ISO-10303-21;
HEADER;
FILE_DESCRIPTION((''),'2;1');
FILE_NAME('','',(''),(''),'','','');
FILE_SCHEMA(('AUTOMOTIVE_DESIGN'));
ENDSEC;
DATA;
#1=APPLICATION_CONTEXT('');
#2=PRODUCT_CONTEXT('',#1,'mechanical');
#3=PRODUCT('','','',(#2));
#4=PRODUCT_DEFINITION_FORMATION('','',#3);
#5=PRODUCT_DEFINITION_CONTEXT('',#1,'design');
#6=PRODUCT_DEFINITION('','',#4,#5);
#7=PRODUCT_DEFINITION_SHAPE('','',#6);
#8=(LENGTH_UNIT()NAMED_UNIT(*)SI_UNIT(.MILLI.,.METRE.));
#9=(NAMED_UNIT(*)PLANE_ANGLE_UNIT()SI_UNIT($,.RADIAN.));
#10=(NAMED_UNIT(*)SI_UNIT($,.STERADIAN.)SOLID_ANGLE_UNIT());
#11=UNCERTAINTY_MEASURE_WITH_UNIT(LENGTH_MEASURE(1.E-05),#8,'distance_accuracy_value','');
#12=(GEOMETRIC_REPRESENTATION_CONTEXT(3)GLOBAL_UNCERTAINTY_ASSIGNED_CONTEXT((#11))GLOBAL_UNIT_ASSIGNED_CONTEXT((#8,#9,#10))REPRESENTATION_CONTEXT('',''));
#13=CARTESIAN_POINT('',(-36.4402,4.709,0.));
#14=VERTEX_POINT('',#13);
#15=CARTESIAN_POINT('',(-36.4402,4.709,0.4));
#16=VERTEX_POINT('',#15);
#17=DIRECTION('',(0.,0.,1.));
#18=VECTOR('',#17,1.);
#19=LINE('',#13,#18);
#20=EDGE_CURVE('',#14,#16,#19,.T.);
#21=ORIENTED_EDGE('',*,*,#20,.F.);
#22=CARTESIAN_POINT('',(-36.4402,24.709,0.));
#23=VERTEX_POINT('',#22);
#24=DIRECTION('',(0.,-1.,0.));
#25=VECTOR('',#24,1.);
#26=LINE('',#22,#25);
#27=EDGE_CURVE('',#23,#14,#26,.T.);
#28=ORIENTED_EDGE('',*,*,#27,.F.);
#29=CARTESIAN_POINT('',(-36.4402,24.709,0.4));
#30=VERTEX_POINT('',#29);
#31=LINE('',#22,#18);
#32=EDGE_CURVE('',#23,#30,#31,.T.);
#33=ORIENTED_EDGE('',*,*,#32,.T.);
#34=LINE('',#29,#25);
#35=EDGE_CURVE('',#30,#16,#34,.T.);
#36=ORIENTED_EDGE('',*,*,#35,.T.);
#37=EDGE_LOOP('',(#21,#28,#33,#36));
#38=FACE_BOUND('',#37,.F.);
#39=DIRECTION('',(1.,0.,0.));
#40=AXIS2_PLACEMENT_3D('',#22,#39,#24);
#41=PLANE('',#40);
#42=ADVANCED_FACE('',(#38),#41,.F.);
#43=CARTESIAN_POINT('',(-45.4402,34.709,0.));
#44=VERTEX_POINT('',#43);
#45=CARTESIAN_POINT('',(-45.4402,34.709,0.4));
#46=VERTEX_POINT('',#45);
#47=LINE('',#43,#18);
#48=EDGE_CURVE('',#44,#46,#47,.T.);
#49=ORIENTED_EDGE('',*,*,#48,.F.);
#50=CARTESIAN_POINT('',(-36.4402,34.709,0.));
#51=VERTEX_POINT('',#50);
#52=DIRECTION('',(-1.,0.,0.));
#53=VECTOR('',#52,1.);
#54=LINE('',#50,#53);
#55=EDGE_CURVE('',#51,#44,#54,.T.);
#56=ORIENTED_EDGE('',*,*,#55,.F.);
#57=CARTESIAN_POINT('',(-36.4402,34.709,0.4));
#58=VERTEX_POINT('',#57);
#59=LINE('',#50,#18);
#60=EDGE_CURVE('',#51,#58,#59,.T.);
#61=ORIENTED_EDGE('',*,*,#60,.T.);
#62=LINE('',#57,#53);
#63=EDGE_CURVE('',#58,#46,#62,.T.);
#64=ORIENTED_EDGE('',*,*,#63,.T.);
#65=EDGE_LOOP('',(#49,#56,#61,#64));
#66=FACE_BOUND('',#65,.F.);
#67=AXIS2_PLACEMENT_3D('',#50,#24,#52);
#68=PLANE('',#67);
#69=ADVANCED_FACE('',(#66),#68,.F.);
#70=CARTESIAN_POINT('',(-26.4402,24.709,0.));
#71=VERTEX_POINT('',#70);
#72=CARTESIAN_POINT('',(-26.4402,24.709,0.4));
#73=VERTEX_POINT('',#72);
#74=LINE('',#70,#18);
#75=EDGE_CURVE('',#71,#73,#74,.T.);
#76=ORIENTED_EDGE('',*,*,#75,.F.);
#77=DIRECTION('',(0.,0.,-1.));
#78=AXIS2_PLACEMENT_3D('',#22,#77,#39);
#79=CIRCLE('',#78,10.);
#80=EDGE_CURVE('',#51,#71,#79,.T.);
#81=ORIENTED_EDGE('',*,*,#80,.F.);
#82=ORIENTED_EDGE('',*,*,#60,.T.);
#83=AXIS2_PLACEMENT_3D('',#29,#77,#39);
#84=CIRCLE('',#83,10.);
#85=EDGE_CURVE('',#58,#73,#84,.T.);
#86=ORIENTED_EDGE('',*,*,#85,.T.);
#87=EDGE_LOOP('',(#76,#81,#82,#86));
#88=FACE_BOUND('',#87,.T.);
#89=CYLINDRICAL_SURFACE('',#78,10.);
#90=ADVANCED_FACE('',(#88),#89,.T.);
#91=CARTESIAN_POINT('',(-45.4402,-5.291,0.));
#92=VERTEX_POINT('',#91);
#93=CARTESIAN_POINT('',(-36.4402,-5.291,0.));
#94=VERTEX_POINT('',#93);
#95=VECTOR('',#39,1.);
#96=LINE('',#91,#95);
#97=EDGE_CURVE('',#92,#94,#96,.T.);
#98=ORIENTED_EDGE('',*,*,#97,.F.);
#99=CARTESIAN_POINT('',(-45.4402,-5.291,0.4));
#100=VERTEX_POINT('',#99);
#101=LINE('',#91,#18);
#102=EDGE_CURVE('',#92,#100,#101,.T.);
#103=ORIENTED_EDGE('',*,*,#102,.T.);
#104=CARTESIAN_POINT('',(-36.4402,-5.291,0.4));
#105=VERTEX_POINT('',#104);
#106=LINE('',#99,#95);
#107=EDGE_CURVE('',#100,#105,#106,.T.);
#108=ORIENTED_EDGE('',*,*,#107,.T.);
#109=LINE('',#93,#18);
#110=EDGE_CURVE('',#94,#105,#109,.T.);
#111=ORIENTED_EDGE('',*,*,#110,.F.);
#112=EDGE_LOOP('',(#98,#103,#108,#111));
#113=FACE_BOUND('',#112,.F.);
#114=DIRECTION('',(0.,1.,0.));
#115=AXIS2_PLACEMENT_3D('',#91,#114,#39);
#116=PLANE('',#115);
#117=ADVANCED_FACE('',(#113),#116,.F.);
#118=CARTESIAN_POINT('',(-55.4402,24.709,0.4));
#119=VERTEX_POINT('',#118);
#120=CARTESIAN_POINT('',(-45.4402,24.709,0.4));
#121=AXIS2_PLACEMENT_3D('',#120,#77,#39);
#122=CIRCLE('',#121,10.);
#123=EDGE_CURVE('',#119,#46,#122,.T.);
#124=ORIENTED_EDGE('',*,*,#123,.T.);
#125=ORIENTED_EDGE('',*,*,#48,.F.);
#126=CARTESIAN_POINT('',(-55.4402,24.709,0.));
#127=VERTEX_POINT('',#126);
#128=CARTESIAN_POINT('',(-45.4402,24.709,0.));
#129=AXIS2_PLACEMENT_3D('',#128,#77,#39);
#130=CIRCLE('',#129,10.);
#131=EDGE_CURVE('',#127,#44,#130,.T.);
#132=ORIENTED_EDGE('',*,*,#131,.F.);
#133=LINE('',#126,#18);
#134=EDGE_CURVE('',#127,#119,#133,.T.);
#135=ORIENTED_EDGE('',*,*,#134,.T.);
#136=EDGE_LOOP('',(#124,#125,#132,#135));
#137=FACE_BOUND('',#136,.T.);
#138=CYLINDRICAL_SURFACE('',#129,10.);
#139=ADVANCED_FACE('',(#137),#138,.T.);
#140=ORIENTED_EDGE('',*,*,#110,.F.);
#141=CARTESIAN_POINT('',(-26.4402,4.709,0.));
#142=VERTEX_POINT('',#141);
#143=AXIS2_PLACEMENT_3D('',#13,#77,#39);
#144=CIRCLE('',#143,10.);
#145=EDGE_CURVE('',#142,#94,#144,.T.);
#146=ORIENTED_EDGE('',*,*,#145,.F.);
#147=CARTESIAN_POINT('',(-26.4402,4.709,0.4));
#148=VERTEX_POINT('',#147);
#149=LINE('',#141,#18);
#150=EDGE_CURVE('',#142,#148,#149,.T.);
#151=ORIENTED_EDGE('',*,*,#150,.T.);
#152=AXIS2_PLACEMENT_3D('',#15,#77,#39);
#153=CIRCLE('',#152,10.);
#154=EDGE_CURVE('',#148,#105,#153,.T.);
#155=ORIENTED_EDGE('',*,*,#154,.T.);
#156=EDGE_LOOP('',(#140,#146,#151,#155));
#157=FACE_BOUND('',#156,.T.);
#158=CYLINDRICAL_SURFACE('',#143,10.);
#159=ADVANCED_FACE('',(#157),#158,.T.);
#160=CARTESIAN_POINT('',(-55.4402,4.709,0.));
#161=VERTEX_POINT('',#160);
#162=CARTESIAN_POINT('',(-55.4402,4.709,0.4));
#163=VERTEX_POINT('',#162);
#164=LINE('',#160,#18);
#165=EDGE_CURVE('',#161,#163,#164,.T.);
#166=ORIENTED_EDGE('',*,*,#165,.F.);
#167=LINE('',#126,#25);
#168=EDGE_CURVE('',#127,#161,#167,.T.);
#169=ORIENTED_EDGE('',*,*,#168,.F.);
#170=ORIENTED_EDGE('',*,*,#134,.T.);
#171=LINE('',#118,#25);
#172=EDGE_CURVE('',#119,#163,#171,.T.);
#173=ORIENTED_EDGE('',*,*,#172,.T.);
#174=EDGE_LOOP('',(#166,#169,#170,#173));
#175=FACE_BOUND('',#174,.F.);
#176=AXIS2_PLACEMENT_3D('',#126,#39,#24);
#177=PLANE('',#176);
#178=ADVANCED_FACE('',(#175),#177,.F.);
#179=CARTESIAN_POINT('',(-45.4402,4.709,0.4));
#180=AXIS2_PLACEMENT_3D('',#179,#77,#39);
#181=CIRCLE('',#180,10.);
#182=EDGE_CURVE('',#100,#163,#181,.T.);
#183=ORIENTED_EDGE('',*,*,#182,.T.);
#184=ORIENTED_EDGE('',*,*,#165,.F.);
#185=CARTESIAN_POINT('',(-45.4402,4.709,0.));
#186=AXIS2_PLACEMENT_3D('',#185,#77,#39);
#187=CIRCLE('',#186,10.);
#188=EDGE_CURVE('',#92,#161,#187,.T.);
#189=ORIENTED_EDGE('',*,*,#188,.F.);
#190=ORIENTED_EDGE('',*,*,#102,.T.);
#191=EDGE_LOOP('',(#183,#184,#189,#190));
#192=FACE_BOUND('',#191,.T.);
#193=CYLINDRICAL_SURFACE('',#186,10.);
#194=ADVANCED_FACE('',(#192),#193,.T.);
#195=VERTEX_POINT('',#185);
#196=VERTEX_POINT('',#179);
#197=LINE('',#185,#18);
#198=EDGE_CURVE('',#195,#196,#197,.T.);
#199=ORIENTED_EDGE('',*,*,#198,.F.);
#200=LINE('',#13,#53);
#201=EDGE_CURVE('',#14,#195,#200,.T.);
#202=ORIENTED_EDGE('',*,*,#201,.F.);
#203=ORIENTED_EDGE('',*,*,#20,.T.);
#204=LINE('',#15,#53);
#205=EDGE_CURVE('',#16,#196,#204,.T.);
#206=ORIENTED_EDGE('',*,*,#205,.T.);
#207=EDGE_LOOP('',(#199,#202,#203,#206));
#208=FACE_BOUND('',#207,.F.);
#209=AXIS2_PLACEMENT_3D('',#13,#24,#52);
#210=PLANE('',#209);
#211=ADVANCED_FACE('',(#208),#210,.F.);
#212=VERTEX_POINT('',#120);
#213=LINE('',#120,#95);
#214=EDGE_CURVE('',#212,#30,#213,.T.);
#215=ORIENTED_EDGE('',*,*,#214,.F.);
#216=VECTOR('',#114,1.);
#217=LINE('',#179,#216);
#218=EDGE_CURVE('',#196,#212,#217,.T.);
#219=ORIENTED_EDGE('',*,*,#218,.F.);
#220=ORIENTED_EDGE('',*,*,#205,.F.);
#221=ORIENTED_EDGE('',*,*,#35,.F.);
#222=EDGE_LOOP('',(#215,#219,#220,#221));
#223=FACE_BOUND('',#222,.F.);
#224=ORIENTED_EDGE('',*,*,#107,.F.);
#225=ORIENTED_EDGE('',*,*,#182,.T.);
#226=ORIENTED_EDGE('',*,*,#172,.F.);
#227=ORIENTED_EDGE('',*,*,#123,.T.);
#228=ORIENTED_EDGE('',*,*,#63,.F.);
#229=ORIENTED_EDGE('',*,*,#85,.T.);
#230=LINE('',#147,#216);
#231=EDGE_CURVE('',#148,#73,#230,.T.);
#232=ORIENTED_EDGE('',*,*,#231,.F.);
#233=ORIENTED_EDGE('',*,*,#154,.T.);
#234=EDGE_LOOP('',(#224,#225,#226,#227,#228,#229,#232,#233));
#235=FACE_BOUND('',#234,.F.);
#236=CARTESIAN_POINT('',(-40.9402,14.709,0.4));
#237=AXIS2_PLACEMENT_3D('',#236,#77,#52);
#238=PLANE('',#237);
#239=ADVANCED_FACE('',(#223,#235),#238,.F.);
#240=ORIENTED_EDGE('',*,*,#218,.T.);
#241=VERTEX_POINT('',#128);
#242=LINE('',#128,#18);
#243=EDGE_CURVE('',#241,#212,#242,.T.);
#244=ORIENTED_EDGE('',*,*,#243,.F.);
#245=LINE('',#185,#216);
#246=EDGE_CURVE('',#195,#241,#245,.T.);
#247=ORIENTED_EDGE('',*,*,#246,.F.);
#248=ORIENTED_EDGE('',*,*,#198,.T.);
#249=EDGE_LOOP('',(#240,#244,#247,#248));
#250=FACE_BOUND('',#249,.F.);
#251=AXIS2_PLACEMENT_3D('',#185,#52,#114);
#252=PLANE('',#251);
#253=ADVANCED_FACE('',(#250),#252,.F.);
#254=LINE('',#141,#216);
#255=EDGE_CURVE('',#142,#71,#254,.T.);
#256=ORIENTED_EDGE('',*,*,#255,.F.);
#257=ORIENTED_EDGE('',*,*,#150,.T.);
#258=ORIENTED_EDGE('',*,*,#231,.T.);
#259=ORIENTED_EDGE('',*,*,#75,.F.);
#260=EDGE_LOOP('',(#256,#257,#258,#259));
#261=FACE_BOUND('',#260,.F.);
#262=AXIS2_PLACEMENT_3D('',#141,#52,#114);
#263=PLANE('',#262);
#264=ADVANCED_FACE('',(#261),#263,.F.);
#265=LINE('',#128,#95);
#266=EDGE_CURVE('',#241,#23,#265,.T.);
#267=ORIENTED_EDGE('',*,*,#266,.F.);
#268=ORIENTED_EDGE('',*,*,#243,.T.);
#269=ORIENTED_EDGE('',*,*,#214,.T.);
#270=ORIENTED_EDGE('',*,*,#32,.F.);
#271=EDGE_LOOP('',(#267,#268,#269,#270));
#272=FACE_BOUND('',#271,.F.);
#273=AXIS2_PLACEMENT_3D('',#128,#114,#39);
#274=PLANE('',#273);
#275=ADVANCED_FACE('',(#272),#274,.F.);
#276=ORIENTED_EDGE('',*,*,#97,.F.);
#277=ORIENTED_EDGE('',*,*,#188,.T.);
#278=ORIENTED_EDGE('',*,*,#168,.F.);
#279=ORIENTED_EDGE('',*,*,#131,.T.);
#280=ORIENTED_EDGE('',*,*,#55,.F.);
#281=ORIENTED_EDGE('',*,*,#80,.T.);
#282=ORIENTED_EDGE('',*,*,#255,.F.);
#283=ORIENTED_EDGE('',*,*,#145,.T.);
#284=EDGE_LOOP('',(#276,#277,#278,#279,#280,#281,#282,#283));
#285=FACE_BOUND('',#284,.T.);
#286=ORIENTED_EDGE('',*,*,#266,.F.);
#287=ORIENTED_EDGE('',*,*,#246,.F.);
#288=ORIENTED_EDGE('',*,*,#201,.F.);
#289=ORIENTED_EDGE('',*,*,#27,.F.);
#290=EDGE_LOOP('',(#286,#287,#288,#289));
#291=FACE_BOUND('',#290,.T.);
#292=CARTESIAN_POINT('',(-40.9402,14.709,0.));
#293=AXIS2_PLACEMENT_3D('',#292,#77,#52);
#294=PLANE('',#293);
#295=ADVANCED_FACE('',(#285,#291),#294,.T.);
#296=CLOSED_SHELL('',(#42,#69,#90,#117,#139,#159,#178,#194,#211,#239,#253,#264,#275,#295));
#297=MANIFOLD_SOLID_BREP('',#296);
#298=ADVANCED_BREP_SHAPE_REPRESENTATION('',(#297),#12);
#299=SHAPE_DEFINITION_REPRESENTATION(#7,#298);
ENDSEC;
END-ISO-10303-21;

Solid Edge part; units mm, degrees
sketch "Sketch1" plane through (0, 0, 0) normal (0, 0, 1) x (1, 0, 0)
  arc A0 (-55.4402, 24.709) -> (-45.4402, 34.709) centre (-45.4402, 24.709) cw
  line L0 (-36.4402, 34.709) -> (-45.4402, 34.709)
  arc A1 (-36.4402, 34.709) -> (-26.4402, 24.709) centre (-36.4402, 24.709) cw
  line L1 (-26.4402, 4.709) -> (-26.4402, 24.709)
  arc A2 (-26.4402, 4.709) -> (-36.4402, -5.291) centre (-36.4402, 4.709) cw
  line L2 (-45.4402, -5.291) -> (-36.4402, -5.291)
  arc A3 (-45.4402, -5.291) -> (-55.4402, 4.709) centre (-45.4402, 4.709) cw
  line L3 (-55.4402, 24.709) -> (-55.4402, 4.709)
  line L4 (-36.4402, 24.709) -> (-36.4402, 4.709)
  line L5 (-36.4402, 4.709) -> (-45.4402, 4.709)
  line L6 (-45.4402, 4.709) -> (-45.4402, 24.709)
  line L7 (-45.4402, 24.709) -> (-36.4402, 24.709)
  dimension "D1" = 10
extrude "Protrusion1" add sketch "Sketch1" along normal blind 0.4
properties material "Copper"
